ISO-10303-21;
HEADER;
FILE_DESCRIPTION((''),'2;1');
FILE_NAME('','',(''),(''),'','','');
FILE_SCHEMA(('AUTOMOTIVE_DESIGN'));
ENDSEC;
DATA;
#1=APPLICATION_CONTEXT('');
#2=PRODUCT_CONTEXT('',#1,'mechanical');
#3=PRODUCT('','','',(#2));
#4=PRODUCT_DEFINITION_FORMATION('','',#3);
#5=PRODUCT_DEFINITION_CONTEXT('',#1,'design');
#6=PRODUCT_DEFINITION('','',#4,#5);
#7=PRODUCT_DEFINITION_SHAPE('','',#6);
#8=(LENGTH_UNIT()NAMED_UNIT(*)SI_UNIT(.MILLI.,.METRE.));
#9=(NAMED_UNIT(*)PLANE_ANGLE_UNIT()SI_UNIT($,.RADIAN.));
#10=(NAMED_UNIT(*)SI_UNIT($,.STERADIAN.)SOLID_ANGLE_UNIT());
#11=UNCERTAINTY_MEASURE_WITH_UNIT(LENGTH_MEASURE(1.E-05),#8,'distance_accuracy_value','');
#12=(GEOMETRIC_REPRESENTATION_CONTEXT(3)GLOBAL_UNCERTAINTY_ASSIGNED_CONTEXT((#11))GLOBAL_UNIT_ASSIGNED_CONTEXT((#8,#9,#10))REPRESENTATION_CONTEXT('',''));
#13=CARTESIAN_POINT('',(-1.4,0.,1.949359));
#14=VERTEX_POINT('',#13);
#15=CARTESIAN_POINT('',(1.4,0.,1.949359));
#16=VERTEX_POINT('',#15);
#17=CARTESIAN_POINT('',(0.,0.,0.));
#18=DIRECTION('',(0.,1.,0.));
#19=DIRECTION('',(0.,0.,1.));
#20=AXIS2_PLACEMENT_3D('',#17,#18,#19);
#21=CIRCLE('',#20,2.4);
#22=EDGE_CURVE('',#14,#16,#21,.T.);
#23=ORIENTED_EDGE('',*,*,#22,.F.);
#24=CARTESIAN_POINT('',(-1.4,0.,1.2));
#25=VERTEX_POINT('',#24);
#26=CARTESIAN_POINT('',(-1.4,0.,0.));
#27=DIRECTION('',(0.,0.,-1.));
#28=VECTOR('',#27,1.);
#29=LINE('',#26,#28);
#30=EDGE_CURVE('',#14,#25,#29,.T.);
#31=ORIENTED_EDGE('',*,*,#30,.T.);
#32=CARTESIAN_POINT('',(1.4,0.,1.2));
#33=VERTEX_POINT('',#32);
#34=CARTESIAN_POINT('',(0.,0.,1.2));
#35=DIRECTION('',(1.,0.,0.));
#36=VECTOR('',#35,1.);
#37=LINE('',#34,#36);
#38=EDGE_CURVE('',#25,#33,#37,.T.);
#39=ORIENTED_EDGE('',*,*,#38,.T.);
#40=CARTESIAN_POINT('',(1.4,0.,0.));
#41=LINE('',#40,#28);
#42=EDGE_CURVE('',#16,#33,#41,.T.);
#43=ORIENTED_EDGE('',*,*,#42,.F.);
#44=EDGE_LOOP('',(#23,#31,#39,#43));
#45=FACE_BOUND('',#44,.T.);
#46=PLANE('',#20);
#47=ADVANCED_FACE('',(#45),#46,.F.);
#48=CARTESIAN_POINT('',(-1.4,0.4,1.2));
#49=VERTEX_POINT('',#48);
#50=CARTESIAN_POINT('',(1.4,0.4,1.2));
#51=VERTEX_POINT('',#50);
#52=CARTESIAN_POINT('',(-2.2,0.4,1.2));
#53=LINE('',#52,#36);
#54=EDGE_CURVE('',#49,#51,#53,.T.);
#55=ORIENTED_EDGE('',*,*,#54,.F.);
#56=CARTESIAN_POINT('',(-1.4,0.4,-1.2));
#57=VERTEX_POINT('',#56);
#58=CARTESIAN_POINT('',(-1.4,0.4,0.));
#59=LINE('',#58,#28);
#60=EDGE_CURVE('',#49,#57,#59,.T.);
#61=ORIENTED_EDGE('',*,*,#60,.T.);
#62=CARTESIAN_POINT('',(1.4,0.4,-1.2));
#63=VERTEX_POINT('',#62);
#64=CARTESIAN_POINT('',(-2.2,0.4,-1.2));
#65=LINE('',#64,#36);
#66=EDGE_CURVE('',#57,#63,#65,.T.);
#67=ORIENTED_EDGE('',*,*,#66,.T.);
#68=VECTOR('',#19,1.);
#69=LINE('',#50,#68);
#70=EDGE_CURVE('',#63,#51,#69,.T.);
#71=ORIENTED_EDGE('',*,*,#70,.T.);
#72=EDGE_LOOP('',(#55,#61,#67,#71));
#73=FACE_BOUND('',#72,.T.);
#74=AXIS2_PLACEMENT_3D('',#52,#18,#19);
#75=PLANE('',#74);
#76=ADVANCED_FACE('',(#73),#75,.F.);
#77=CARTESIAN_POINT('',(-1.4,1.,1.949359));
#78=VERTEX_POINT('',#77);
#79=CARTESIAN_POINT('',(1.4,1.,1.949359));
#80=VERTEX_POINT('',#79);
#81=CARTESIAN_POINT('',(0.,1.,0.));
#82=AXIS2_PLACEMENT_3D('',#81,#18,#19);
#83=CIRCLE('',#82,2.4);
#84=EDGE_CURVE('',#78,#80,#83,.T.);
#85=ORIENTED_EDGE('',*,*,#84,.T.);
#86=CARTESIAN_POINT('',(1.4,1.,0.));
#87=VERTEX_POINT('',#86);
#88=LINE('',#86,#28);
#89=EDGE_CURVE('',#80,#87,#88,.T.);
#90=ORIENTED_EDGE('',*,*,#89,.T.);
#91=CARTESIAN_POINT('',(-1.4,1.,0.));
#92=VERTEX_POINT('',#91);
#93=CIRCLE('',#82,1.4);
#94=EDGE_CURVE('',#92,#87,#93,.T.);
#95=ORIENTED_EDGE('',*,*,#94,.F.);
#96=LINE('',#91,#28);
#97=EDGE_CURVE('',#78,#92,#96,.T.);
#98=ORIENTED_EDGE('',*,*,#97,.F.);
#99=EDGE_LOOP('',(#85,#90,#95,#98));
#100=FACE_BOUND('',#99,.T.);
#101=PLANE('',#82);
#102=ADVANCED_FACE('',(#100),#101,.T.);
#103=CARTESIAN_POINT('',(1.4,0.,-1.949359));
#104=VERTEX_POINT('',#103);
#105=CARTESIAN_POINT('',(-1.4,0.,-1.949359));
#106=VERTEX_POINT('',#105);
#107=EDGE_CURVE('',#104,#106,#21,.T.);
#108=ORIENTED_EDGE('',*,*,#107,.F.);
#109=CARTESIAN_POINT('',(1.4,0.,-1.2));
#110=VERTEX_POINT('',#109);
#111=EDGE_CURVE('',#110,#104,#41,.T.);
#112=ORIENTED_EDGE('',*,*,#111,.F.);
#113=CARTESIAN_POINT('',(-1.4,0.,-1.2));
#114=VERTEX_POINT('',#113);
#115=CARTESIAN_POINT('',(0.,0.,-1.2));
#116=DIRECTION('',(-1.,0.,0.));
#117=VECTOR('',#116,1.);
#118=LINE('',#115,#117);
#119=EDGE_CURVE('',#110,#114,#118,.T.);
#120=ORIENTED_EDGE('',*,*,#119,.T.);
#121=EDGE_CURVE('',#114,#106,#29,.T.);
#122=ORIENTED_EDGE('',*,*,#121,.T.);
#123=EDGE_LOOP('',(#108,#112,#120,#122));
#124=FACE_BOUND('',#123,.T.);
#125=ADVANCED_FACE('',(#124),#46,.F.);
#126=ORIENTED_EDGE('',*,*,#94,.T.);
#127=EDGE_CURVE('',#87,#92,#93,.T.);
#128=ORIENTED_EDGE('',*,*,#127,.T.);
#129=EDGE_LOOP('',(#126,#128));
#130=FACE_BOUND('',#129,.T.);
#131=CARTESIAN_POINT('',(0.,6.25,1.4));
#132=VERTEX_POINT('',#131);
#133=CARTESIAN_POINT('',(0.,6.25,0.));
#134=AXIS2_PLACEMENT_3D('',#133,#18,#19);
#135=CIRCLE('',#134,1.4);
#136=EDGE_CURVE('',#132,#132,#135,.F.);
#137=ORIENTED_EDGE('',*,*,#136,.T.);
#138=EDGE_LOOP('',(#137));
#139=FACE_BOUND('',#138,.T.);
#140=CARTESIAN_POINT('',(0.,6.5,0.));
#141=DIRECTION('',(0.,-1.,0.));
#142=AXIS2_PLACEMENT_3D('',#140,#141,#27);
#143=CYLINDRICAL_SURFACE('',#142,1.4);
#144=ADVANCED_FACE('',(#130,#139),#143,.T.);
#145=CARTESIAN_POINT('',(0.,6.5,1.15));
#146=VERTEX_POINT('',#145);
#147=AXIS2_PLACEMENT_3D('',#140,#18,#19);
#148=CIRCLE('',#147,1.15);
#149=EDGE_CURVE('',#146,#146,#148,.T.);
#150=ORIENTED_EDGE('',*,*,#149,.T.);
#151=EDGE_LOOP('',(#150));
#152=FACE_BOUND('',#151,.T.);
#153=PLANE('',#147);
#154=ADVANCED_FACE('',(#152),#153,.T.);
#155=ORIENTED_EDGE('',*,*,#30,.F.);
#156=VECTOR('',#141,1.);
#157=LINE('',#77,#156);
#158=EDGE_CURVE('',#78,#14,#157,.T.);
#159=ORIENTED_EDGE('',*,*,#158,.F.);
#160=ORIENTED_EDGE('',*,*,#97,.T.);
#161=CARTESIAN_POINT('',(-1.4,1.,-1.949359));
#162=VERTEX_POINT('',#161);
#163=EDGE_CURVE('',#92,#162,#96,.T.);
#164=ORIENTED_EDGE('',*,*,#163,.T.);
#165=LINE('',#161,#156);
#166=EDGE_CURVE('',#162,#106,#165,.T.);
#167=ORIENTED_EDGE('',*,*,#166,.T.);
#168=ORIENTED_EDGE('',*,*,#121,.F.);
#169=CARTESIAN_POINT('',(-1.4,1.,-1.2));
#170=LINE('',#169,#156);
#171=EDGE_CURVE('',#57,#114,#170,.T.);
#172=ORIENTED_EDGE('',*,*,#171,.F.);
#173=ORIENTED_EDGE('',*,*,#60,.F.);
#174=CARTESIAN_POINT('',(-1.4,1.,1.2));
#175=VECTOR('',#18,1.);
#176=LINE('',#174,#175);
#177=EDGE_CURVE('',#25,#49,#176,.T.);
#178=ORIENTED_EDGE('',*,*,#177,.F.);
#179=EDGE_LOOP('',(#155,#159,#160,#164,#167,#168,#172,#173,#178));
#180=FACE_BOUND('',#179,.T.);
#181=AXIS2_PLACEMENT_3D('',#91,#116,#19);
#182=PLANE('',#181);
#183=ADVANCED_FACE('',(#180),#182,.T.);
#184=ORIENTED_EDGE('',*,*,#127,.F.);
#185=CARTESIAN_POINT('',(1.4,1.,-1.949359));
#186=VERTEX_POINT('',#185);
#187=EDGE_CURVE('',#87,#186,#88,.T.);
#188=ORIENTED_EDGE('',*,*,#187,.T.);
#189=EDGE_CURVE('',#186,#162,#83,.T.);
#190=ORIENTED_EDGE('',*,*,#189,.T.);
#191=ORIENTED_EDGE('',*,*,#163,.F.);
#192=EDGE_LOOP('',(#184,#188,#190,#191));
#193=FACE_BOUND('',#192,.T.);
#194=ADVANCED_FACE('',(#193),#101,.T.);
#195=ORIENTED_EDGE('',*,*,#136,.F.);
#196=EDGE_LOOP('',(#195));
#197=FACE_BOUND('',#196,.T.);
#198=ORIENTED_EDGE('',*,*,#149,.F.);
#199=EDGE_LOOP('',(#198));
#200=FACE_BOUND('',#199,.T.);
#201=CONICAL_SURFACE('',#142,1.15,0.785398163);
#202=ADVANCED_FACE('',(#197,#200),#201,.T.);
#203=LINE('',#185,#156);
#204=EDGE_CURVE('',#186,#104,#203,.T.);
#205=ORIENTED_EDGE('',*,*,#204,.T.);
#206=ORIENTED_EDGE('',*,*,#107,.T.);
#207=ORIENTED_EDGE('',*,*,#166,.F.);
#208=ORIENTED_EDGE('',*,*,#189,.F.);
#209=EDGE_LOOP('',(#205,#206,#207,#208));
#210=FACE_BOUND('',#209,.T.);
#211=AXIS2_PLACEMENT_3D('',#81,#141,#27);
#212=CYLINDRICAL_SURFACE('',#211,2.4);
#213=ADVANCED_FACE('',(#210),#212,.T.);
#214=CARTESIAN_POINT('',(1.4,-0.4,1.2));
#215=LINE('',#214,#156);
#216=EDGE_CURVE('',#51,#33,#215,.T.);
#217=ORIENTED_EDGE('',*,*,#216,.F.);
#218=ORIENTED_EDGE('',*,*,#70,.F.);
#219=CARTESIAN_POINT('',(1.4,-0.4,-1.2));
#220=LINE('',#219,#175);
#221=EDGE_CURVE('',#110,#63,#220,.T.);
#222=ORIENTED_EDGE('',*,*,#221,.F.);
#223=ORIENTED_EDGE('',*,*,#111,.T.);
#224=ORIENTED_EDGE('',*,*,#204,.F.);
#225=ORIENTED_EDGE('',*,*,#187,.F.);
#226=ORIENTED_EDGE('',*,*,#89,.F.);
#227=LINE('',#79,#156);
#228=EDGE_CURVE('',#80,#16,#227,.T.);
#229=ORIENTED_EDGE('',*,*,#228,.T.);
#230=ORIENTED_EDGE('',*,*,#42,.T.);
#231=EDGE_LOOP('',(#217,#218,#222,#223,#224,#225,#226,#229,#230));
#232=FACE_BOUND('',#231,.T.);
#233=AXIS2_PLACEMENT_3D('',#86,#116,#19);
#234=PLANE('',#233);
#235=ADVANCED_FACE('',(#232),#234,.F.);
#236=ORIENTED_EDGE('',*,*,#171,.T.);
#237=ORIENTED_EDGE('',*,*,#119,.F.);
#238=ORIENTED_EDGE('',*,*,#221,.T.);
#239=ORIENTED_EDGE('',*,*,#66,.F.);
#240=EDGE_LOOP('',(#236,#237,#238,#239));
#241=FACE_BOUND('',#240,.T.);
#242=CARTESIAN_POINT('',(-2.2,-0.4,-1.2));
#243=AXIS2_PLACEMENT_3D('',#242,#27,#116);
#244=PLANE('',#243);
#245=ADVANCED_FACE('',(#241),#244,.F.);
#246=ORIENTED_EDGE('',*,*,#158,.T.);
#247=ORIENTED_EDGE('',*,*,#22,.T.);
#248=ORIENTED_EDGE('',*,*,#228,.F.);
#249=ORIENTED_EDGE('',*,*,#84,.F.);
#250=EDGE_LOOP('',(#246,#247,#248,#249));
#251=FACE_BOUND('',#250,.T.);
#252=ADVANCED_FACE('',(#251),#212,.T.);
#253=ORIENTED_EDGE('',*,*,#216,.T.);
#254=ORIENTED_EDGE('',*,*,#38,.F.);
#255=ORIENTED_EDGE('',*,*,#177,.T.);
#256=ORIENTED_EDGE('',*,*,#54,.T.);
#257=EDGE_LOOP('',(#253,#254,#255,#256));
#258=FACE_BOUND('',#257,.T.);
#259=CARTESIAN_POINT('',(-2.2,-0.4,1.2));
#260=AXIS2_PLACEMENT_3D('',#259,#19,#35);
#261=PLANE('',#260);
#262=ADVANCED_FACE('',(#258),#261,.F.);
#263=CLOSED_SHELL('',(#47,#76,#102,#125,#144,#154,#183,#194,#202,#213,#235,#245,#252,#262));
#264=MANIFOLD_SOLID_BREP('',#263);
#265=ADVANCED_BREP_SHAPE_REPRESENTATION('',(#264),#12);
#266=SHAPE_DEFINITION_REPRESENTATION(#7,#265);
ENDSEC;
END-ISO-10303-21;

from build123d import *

# Parameters (mm, degrees)
SKETCH1_R           = 1.4
BOSS_EXTRUDE3_DEPTH = 6.5
BOSS_EXTRUDE4_DEPTH = 1
CHAMFER1_SIZE       = 0.25
SKETCH4_W           = 2.4
SKETCH4_H           = 0.8
CUT_EXTRUDE1_DEPTH  = 3.6


with BuildPart() as part:
    # Sketch1 → Boss-Extrude3 (new body)
    with BuildSketch(Plane(origin=(0, 0, 0), x_dir=(1, 0, 0), z_dir=(0, 1, 0))):
        with Locations(Location((0, 0, 0), (0, 0, 90))):
            Circle(SKETCH1_R)
    extrude(amount=BOSS_EXTRUDE3_DEPTH)

    # Sketch3 → Boss-Extrude4 (add)
    with BuildSketch(Plane(origin=(0, 0, 0), x_dir=(1, 0, 0), z_dir=(0, 1, 0))):
        with BuildLine():
            Line((-1.4, 0), (-1.4, -1.949358869))
            ThreePointArc((-1.4, -1.949358869), (0, -2.4), (1.4, -1.949358869))
            Line((1.4, -1.949358869), (1.4, 0))
            ThreePointArc((1.4, 0), (0, -1.4), (-1.4, 0))
        make_face()
        with BuildLine():
            Line((-1.4, 1.949358869), (-1.4, 0))
            ThreePointArc((-1.4, 0), (0, 1.4), (1.4, 0))
            Line((1.4, 0), (1.4, 1.949358869))
            ThreePointArc((1.4, 1.949358869), (0, 2.4), (-1.4, 1.949358869))
        make_face()
    extrude(amount=BOSS_EXTRUDE4_DEPTH)

    # Chamfer1
    chamfer1_edges = [part.edges().sort_by_distance(p)[0] for p in [
        (0, 6.5, 1.4),
    ]]
    chamfer(chamfer1_edges, length=CHAMFER1_SIZE)

    # Sketch4 → Cut-Extrude1 (cut)
    with BuildSketch(Plane(origin=(1.4, 0, 0), x_dir=(0, 0, -1), z_dir=(1, 0, 0))):
        Rectangle(SKETCH4_W, SKETCH4_H)
    extrude(amount=-CUT_EXTRUDE1_DEPTH, mode=Mode.SUBTRACT)


solid = part.part
